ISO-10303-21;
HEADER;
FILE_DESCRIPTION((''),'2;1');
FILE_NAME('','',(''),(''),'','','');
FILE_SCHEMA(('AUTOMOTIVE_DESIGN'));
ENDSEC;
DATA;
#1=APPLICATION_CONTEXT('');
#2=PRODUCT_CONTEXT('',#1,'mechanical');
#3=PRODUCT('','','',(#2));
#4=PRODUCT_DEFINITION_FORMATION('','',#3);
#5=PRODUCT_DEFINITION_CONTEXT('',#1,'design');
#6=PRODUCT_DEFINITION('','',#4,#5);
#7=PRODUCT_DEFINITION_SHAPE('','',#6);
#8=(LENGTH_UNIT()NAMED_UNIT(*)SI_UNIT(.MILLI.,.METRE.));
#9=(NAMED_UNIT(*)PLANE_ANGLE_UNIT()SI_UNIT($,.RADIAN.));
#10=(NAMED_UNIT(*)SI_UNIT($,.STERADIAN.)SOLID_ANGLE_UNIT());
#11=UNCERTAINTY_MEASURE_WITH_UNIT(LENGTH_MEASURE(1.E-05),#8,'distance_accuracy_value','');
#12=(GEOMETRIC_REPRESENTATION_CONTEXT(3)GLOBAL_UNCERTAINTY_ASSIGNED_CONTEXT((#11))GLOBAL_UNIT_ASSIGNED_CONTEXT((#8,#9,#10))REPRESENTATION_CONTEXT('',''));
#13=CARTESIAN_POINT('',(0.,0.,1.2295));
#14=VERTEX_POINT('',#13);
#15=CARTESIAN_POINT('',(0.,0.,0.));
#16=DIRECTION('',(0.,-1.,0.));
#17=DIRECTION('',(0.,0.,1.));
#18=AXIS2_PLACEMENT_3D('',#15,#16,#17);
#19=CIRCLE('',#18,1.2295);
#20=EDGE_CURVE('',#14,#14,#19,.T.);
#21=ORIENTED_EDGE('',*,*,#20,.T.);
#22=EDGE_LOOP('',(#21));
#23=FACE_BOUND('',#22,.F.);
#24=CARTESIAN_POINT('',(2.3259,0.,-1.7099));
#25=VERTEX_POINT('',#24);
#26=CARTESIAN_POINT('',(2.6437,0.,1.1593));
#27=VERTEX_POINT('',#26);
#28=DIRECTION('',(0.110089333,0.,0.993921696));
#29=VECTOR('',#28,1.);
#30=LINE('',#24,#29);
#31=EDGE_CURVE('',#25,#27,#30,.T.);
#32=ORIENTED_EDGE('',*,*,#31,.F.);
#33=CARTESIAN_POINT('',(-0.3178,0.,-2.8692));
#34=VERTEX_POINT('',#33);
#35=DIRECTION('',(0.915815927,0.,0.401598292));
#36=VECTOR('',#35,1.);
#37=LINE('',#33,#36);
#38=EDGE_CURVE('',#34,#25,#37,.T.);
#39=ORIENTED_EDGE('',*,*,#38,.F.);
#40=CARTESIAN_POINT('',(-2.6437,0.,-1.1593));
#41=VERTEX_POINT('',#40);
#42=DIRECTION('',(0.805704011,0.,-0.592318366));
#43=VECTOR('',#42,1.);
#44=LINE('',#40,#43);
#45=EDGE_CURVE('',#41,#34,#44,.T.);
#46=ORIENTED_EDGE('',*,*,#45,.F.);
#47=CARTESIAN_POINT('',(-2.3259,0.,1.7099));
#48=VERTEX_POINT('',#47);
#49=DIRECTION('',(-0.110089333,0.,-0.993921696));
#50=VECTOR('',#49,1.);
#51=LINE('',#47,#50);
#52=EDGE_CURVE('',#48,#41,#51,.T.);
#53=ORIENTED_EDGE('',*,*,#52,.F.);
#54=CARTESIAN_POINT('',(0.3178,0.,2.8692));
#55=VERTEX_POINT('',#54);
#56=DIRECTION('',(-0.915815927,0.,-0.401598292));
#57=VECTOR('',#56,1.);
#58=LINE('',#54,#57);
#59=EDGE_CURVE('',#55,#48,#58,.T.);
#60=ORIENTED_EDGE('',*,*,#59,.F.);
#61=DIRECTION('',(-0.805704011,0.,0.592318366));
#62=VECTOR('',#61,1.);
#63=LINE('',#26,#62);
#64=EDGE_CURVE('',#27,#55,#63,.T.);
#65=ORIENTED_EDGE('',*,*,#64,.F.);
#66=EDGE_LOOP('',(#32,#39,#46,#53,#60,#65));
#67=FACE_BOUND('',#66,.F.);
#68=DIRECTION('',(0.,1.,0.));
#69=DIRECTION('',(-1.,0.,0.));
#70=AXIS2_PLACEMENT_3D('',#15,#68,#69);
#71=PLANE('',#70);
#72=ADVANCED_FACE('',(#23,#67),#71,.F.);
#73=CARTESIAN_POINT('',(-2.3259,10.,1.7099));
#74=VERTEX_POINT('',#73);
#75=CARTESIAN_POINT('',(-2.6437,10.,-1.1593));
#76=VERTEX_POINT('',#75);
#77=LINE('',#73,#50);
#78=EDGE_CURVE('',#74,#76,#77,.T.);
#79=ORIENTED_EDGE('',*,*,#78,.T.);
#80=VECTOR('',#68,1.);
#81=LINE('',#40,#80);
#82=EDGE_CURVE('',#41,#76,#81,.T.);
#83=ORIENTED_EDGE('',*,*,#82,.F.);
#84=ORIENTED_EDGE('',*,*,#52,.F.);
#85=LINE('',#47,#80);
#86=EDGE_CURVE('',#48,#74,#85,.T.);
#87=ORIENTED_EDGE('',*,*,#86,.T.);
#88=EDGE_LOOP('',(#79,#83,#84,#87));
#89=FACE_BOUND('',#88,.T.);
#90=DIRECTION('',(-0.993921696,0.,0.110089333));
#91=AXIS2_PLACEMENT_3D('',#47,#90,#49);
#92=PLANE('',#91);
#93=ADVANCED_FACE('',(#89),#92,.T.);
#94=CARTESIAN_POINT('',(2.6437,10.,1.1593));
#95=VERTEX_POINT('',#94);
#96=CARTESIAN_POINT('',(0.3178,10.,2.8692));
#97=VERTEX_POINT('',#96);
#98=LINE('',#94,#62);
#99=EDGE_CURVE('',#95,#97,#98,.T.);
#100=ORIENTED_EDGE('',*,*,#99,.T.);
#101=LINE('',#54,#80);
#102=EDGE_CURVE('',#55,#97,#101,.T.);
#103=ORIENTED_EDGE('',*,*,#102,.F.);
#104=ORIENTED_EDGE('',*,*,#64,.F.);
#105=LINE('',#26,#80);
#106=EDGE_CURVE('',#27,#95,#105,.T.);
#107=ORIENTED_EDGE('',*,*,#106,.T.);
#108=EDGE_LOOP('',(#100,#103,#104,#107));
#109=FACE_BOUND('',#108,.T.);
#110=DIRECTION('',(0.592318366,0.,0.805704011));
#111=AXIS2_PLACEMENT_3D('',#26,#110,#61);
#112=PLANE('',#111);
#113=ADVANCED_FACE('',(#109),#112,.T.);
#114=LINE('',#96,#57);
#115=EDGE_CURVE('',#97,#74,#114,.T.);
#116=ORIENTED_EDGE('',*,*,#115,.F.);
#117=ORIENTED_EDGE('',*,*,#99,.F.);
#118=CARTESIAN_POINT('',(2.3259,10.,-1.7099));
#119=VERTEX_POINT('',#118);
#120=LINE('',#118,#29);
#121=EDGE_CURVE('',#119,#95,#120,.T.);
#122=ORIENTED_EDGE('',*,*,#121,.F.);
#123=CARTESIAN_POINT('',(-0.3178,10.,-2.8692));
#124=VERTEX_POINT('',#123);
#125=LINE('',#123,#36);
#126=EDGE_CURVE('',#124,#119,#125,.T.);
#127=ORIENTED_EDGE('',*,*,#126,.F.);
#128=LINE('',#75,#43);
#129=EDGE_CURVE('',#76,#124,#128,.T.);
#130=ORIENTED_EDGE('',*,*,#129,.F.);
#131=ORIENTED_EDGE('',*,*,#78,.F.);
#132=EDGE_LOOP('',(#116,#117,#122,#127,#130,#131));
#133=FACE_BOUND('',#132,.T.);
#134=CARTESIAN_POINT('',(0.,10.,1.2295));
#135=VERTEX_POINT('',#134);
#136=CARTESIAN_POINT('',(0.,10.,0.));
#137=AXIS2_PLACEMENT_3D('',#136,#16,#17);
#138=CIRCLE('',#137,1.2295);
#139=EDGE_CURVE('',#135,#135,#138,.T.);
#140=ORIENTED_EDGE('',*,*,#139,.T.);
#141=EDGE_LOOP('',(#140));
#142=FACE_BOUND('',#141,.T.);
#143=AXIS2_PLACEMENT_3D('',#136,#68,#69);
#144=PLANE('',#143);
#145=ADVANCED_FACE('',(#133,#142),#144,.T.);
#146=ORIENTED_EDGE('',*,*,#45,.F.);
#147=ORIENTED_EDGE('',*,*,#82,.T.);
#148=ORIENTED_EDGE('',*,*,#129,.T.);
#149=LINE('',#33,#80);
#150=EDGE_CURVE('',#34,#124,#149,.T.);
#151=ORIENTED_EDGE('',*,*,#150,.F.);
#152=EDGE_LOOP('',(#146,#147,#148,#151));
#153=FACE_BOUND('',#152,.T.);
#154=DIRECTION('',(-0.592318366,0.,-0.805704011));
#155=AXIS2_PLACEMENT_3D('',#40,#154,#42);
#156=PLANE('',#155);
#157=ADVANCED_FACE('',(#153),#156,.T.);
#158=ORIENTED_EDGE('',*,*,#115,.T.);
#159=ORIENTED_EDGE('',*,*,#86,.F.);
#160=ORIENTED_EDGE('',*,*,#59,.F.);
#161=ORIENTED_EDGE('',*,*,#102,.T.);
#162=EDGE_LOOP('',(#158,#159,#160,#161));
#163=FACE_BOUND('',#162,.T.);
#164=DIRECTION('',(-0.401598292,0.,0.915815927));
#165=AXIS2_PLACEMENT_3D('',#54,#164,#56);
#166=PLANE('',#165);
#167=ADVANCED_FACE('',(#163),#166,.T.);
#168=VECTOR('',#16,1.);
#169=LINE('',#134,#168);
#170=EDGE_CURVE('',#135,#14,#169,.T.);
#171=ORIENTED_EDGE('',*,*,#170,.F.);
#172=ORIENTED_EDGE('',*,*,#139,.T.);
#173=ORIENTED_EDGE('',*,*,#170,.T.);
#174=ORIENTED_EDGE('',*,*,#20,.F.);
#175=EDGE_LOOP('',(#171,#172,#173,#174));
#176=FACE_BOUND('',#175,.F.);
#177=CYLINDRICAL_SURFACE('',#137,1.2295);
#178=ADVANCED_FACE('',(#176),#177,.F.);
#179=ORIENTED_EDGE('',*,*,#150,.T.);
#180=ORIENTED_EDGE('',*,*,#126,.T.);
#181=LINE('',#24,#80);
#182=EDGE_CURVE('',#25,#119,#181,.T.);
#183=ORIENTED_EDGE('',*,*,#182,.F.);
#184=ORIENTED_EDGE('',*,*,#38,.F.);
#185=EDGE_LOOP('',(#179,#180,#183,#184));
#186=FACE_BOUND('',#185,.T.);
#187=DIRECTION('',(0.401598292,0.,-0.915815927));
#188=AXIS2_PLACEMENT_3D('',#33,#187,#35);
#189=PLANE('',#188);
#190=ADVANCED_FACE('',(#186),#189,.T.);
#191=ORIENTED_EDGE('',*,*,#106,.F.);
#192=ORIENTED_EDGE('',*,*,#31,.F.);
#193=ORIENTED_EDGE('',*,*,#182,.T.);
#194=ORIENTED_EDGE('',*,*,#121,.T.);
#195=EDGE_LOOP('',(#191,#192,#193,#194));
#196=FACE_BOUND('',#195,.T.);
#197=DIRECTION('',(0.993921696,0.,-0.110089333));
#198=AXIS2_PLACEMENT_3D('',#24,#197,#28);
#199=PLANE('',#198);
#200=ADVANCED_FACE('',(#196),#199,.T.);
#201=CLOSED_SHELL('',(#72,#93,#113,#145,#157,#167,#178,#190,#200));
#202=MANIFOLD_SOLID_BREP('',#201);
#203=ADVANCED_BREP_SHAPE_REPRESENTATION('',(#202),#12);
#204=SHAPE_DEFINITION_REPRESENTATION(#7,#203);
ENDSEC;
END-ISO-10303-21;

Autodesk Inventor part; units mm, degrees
ref_plane "YZ Plane" through (0, 0, 0) normal (1, 0, 0) x (0, 1, 0)
ref_plane "XZ Plane" through (0, 0, 0) normal (0, 1, 0) x (-1, 0, 0)
ref_plane "XY Plane" through (0, 0, 0) normal (0, 0, 1) x (1, 0, 0)
sketch "Boceto1" plane through (0, 0, 0) normal (0, 1, 0) x (-1, 0, 0)
  line L0 (2.6437, -1.1593) -> (0.3178, -2.8692)
  line L1 (0.3178, -2.8692) -> (-2.3259, -1.7099)
  line L2 (-2.3259, -1.7099) -> (-2.6437, 1.1593)
  line L3 (-2.6437, 1.1593) -> (-0.3178, 2.8692)
  line L4 (-0.3178, 2.8692) -> (2.3259, 1.7099)
  line L5 (2.3259, 1.7099) -> (2.6437, -1.1593)
  point P0 (0, 0)
  point P1 (0, 0)
  dimension "d0" = 5
extrude "Extrusión1" add sketch "Boceto1" along normal blind 10
sketch "Boceto2" plane through (0, 10, 0) normal (0, 1, 0) x (1, 0, 0)
  point P0 (0, 0)
  point P1 (0, 0)
hole "Agujero1" at (0, 10, 0) direction (0, -1, 0) diameter 2.459 end through all thread size "M3x0.5" class "6H" standard "ISO Metric profile"
properties part number "posteNAVIO" material "Latón, amarillo claro"
